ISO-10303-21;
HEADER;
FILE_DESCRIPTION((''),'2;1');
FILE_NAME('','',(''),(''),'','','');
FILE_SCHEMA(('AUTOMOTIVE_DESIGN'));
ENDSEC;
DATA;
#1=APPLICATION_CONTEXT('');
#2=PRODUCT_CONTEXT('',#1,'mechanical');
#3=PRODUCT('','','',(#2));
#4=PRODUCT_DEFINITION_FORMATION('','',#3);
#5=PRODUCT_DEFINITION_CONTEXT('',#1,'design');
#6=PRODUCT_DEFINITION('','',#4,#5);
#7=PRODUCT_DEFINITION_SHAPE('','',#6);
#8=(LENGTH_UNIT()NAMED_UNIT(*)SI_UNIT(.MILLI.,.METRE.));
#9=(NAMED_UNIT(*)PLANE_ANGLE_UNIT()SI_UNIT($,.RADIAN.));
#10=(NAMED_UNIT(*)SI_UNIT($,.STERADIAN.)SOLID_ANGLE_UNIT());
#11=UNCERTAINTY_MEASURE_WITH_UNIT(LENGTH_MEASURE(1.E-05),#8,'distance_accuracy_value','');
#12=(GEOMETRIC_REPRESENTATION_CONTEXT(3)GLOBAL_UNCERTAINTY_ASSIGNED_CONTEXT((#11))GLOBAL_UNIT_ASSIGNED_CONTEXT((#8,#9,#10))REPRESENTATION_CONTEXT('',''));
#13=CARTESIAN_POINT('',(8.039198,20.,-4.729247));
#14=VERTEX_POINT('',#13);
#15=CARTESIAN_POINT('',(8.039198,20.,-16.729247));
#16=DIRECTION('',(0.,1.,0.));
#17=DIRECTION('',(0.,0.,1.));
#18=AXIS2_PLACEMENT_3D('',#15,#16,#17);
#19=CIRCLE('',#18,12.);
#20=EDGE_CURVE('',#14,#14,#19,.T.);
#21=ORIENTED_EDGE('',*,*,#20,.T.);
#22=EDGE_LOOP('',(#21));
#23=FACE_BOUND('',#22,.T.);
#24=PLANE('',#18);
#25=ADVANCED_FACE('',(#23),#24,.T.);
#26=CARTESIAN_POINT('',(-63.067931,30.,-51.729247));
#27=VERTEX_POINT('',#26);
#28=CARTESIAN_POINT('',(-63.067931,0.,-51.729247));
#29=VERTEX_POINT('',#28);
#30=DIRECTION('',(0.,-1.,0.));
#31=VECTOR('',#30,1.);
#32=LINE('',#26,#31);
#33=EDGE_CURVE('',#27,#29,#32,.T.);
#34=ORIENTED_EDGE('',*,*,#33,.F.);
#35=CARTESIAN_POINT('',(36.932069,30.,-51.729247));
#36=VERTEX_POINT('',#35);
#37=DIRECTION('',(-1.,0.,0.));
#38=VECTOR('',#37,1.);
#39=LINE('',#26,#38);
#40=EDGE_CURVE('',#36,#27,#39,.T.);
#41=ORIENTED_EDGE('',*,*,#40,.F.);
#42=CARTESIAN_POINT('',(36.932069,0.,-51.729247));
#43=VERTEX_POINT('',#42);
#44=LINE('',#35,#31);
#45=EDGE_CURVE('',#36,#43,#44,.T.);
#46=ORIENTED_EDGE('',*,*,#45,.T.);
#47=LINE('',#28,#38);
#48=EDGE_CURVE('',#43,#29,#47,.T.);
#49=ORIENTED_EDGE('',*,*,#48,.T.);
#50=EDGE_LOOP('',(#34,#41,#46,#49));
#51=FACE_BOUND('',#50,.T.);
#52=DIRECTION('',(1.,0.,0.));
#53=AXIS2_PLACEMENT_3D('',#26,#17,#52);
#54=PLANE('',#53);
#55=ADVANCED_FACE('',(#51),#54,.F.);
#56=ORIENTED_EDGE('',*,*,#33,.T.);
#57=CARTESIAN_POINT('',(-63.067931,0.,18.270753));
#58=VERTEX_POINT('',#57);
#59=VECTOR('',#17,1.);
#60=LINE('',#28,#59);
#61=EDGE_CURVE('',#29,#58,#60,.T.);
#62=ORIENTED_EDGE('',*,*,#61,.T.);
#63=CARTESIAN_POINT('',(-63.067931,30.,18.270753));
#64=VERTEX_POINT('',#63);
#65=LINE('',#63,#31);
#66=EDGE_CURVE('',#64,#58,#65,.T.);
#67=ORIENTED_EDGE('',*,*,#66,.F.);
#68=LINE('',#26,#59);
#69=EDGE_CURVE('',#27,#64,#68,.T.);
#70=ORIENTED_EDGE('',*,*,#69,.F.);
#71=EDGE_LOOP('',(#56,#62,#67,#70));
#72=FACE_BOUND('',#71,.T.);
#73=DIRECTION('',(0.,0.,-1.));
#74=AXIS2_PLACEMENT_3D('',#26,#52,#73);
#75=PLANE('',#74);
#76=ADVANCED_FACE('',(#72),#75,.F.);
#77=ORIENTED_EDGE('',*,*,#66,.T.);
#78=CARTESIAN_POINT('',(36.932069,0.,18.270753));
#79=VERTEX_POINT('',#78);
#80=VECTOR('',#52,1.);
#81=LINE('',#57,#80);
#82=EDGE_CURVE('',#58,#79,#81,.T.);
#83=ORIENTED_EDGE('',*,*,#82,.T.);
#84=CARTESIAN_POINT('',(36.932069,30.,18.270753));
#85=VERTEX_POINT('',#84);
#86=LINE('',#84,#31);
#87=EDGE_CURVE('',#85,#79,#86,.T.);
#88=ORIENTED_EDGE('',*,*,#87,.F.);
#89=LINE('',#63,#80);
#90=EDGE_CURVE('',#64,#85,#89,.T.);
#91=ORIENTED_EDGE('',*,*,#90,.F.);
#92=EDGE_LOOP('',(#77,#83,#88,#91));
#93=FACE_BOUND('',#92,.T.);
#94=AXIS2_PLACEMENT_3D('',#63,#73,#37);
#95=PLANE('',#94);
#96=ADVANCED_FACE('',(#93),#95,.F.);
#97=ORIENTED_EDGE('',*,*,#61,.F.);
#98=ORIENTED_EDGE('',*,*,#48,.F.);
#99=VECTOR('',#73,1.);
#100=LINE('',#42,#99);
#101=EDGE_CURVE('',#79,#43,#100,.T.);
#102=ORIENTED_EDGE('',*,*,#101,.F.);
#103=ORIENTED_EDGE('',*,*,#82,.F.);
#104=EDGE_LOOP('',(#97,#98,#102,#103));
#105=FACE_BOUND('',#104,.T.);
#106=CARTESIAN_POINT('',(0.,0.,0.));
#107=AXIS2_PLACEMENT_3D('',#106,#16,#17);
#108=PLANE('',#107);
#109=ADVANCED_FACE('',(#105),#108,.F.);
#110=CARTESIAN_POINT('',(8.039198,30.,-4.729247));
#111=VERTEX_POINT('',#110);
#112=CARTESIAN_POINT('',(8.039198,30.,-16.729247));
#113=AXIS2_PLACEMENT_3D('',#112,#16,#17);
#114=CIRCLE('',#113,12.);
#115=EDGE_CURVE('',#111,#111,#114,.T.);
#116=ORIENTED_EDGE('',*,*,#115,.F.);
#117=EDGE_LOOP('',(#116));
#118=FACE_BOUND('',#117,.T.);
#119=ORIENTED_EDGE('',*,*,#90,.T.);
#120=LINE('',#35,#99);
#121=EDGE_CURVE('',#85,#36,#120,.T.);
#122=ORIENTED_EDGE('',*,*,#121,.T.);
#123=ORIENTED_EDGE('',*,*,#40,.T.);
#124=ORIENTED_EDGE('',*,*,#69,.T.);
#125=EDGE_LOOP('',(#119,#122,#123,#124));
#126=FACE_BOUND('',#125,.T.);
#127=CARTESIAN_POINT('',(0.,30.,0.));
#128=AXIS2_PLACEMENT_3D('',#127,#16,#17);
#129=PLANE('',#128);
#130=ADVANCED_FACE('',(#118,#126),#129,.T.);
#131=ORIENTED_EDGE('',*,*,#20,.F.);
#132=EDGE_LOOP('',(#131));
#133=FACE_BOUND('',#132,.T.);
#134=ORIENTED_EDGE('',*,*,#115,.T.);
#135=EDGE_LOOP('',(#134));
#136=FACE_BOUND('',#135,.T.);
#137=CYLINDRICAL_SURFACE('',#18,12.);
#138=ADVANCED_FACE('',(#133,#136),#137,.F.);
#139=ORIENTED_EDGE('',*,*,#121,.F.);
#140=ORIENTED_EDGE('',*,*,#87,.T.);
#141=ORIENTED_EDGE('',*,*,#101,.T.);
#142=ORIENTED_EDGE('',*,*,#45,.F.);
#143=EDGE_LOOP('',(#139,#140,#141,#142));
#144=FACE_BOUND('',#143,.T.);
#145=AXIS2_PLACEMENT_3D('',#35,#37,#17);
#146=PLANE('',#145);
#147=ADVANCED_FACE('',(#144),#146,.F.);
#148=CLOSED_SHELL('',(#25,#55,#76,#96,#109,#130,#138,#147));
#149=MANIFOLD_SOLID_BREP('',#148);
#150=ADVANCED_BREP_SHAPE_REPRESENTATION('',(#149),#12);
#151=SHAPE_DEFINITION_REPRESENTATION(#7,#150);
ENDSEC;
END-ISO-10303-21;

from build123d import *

# Parameters (mm, degrees)
SKETCH_1_W          = 100
SKETCH_1_H          = 70
EXTRUDE_1_DEPTH     = 30
SKETCH_2_R          = 12
CUT_EXTRUDE_1_DEPTH = 10


with BuildPart() as part:
    # Эскиз1 → Бобышка-Вытянуть1 (new body)
    with BuildSketch(Plane(origin=(0, 0, 0), x_dir=(1, 0, 0), z_dir=(0, 1, 0))):
        with Locations((-13.067931475, 16.72924732)):
            Rectangle(SKETCH_1_W, SKETCH_1_H)
    extrude(amount=EXTRUDE_1_DEPTH)

    # Эскиз2 → Вырез-Вытянуть1 (cut)
    with BuildSketch(Plane(origin=(0, 30, 0), x_dir=(1, 0, 0), z_dir=(0, 1, 0))):
        with Locations(Location((8.03919791, 16.72924732, 0), (0, 0, 270))):
            Circle(SKETCH_2_R)
    extrude(amount=-CUT_EXTRUDE_1_DEPTH, mode=Mode.SUBTRACT)


solid = part.part
